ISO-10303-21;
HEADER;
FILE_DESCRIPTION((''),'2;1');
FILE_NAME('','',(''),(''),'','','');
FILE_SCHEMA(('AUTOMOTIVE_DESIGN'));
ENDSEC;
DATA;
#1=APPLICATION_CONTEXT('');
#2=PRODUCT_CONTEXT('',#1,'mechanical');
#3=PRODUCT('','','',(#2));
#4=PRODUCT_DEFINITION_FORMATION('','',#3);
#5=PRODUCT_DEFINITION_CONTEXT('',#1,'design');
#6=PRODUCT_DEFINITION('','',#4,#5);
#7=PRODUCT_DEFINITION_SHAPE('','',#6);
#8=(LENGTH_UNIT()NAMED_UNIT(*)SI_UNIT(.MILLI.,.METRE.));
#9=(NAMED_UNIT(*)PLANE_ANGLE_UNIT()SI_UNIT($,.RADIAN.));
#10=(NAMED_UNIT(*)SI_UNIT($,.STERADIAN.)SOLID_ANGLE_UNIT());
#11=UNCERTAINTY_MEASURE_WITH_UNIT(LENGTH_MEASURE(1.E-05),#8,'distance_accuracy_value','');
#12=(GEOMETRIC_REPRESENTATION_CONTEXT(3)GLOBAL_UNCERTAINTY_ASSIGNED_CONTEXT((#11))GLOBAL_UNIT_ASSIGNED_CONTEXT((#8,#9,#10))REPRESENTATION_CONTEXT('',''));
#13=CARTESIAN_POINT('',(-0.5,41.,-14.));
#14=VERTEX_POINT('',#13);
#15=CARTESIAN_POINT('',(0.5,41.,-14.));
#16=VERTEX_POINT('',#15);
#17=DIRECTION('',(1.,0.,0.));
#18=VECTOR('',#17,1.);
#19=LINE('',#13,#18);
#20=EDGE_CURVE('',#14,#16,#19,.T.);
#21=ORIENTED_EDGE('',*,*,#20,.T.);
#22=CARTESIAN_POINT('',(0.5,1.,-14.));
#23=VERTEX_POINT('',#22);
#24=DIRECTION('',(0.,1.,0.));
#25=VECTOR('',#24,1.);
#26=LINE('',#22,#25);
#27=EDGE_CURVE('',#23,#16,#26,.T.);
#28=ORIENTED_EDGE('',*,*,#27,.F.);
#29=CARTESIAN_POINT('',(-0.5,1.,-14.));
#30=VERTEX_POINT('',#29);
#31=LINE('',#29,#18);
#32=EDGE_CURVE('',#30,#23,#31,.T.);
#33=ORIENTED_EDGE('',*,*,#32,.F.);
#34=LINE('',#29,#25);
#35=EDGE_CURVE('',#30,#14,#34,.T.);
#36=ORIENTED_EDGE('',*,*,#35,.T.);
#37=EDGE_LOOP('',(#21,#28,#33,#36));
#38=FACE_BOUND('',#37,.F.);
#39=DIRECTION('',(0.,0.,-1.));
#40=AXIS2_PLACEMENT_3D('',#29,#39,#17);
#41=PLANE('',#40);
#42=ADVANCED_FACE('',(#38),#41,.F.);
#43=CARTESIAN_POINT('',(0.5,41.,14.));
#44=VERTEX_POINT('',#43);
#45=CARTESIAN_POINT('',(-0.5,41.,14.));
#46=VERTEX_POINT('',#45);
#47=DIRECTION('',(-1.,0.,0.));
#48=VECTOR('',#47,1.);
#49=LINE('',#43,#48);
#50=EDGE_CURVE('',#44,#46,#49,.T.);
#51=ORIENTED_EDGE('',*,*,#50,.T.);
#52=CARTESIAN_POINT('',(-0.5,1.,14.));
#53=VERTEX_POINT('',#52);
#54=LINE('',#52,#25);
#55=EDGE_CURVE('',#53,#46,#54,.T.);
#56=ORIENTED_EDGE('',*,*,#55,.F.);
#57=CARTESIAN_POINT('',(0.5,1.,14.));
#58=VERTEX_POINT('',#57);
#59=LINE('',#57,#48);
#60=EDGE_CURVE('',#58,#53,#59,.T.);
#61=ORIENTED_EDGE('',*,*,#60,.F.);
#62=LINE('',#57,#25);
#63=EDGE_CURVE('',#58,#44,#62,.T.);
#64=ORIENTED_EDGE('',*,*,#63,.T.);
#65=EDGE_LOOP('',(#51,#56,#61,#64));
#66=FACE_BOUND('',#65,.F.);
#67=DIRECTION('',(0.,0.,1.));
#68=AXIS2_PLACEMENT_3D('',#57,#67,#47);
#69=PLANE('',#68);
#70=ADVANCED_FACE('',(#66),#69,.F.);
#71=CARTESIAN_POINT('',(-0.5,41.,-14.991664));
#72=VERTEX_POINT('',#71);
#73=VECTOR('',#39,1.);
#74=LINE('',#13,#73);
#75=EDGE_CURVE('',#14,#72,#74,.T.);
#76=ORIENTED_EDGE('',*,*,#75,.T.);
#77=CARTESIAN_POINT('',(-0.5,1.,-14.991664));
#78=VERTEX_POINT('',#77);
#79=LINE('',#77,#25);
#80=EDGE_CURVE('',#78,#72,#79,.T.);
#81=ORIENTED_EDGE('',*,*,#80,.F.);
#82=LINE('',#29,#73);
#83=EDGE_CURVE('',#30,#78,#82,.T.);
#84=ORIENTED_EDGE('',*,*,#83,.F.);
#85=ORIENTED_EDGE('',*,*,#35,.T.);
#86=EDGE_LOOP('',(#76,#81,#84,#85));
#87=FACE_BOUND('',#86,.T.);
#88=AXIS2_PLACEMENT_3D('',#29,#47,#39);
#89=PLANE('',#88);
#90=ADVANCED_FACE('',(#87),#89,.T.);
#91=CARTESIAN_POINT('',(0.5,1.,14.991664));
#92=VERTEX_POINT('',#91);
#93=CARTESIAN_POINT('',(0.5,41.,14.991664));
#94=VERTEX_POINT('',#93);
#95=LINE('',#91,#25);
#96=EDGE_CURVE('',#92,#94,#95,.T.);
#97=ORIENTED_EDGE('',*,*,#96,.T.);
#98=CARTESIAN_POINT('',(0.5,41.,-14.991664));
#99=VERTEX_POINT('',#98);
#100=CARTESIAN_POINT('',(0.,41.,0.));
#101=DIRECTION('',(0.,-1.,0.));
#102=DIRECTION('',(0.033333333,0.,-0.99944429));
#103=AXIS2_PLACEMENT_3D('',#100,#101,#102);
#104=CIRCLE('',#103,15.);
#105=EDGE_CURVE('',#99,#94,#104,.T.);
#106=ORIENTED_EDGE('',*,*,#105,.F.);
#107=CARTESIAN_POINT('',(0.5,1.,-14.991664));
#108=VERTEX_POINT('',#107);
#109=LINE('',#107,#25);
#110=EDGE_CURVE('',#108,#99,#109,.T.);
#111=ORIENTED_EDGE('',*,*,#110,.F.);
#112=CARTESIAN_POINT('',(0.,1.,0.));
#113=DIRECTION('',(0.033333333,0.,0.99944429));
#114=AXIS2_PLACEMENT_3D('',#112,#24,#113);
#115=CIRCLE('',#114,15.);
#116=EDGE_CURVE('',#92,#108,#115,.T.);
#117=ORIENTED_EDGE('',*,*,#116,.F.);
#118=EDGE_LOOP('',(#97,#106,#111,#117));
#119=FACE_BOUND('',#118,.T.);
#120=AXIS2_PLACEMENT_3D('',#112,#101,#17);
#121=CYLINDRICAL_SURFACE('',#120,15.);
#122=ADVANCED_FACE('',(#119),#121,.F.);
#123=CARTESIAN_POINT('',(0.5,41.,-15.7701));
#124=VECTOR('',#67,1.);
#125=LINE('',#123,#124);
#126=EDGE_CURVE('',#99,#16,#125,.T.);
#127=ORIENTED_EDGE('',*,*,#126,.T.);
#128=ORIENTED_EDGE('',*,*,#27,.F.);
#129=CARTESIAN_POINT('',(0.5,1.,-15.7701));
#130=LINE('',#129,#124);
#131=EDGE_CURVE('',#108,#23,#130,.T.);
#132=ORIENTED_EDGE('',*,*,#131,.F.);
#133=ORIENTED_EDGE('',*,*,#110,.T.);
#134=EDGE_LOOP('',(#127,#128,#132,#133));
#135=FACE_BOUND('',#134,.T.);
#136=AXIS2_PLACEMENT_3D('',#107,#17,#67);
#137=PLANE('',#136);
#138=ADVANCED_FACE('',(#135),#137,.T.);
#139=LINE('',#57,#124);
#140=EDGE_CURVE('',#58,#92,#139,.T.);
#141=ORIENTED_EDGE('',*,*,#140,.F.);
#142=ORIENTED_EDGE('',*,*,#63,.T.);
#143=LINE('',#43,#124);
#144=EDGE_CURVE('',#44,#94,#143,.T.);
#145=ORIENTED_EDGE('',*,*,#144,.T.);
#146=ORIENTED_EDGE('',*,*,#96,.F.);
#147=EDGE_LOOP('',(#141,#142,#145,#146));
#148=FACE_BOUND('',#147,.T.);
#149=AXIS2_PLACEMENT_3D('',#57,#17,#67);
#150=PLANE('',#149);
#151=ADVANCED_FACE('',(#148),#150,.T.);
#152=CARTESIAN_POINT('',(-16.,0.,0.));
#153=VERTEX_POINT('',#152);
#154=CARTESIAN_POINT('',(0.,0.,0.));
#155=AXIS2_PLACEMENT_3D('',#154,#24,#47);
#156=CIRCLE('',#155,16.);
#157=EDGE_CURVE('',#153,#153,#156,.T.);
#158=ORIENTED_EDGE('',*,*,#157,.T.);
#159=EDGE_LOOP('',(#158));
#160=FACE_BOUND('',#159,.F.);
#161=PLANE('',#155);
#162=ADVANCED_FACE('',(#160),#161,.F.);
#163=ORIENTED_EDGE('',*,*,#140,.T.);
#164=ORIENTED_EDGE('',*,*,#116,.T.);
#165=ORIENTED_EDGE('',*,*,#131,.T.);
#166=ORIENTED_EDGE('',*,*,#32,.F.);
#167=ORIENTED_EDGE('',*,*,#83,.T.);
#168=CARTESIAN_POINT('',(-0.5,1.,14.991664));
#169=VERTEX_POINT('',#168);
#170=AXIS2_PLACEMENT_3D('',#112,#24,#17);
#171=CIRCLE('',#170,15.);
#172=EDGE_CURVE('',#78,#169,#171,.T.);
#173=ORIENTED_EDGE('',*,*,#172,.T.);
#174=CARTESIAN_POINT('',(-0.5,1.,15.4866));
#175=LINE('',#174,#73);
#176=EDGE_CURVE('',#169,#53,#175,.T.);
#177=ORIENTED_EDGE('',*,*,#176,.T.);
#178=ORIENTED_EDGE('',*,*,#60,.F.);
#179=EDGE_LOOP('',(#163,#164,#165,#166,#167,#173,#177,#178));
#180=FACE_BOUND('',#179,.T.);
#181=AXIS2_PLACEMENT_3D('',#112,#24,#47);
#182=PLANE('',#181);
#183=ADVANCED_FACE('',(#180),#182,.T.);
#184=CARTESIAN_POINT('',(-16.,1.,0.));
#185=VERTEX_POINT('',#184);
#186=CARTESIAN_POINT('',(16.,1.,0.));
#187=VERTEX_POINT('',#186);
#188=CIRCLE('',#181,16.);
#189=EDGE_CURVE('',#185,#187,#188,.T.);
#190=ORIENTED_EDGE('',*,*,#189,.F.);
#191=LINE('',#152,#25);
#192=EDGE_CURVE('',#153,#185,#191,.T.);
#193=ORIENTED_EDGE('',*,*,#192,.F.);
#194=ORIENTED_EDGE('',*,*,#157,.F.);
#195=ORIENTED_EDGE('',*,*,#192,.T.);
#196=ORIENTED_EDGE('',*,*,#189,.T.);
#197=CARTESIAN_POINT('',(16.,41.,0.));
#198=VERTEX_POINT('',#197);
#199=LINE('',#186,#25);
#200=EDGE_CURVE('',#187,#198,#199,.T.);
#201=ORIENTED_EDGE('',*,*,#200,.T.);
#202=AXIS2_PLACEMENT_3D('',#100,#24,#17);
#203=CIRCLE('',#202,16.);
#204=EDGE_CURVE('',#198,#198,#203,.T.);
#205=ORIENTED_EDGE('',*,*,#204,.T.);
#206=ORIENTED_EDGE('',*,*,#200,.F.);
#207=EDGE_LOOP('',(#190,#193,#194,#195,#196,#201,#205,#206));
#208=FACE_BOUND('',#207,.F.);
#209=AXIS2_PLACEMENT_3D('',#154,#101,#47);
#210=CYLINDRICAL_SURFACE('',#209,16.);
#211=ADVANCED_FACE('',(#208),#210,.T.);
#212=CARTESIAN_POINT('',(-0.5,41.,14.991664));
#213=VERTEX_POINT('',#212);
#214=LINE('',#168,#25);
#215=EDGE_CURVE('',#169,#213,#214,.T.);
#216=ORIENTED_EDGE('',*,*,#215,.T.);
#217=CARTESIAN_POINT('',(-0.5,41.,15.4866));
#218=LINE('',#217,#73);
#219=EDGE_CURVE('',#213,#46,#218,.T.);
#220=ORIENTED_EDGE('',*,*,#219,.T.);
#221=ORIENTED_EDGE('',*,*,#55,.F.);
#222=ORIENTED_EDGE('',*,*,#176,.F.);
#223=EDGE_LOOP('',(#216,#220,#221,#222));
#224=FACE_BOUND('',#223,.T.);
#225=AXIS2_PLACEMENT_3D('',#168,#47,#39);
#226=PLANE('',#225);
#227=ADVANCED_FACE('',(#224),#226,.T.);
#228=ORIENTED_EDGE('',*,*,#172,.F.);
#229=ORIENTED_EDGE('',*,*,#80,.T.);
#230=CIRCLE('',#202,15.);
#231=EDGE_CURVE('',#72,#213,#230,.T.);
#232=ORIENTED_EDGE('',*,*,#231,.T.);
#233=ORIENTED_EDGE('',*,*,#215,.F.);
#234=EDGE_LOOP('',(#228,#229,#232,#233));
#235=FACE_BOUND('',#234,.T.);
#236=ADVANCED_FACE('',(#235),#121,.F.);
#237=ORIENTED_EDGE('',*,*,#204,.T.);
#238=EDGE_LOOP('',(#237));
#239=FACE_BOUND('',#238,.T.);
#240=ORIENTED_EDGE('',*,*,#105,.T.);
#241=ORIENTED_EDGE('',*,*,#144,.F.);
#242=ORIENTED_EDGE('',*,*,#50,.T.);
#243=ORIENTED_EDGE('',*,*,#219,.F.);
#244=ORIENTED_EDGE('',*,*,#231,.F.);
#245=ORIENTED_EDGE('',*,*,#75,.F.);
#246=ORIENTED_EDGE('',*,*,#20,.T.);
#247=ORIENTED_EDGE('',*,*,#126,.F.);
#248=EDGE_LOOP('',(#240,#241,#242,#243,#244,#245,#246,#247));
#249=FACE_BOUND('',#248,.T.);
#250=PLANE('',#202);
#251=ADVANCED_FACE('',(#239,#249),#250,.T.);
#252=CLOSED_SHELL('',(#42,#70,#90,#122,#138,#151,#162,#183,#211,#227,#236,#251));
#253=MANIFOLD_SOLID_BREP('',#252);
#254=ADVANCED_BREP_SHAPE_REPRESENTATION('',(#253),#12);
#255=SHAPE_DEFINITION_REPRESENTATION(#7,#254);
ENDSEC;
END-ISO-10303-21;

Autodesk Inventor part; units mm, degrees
sketch "Эскиз5" plane through (0, 0, 0) normal (0, 1, 0) x (-1, 0, 0)
  circle A0 centre (0, 0) radius 16
  dimension "d12" = 32
extrude "Выдавливание4" add sketch "Эскиз5" along normal blind 1
sketch "Эскиз7" plane through (0, 1, 0) normal (0, 1, 0) x (1, 0, 0)
  circle A0 centre (0, 0) radius 16
  circle A1 centre (0, 0) radius 16 projected
  circle A2 centre (0, 0) radius 15
  line L0 (0.5, -14) -> (-0.5, -14)
  line L1 (-0.5, 14) -> (0.5, 14)
  line L2 (0.5, -14) -> (-0.5, 14) construction
  line L3 (-0.5, -14) -> (0.5, 14) construction
  line L4 (-0.5, -14) -> (0.5, -14)
  line L5 (0.5, -14) -> (0.5, -15.4866)
  line L6 (0.5, -15.4866) -> (-0.5, -15.4866)
  line L7 (-0.5, -15.4866) -> (-0.5, -14)
  line L8 (0.5, 14) -> (-0.5, 14)
  line L9 (-0.5, 14) -> (-0.5, 15.7701)
  line L10 (-0.5, 15.7701) -> (0.5, 15.7701)
  line L11 (0.5, 15.7701) -> (0.5, 14)
  dimension "d17" = 1
  dimension "d18" = 28
  dimension "d19" = 32
  dimension "d20" = 30
  dimension "d21" = 2.045
  dimension "d22" = 177.955
  dimension "d23" = 0
  dimension "d24" = 1.7701
  dimension "d25" = 31.2568
  dimension "d26" = 0.5
  dimension "d27" = 15.7701
extrude "Выдавливание5" add sketch "Эскиз7" along normal blind 40 contours A0 | L11 L1 L9 A2 | A2 L9 L10 L11 | L5 L6 L7 A2 | A2 L7 L0 L5
properties part number "Корпус для оборудования"
